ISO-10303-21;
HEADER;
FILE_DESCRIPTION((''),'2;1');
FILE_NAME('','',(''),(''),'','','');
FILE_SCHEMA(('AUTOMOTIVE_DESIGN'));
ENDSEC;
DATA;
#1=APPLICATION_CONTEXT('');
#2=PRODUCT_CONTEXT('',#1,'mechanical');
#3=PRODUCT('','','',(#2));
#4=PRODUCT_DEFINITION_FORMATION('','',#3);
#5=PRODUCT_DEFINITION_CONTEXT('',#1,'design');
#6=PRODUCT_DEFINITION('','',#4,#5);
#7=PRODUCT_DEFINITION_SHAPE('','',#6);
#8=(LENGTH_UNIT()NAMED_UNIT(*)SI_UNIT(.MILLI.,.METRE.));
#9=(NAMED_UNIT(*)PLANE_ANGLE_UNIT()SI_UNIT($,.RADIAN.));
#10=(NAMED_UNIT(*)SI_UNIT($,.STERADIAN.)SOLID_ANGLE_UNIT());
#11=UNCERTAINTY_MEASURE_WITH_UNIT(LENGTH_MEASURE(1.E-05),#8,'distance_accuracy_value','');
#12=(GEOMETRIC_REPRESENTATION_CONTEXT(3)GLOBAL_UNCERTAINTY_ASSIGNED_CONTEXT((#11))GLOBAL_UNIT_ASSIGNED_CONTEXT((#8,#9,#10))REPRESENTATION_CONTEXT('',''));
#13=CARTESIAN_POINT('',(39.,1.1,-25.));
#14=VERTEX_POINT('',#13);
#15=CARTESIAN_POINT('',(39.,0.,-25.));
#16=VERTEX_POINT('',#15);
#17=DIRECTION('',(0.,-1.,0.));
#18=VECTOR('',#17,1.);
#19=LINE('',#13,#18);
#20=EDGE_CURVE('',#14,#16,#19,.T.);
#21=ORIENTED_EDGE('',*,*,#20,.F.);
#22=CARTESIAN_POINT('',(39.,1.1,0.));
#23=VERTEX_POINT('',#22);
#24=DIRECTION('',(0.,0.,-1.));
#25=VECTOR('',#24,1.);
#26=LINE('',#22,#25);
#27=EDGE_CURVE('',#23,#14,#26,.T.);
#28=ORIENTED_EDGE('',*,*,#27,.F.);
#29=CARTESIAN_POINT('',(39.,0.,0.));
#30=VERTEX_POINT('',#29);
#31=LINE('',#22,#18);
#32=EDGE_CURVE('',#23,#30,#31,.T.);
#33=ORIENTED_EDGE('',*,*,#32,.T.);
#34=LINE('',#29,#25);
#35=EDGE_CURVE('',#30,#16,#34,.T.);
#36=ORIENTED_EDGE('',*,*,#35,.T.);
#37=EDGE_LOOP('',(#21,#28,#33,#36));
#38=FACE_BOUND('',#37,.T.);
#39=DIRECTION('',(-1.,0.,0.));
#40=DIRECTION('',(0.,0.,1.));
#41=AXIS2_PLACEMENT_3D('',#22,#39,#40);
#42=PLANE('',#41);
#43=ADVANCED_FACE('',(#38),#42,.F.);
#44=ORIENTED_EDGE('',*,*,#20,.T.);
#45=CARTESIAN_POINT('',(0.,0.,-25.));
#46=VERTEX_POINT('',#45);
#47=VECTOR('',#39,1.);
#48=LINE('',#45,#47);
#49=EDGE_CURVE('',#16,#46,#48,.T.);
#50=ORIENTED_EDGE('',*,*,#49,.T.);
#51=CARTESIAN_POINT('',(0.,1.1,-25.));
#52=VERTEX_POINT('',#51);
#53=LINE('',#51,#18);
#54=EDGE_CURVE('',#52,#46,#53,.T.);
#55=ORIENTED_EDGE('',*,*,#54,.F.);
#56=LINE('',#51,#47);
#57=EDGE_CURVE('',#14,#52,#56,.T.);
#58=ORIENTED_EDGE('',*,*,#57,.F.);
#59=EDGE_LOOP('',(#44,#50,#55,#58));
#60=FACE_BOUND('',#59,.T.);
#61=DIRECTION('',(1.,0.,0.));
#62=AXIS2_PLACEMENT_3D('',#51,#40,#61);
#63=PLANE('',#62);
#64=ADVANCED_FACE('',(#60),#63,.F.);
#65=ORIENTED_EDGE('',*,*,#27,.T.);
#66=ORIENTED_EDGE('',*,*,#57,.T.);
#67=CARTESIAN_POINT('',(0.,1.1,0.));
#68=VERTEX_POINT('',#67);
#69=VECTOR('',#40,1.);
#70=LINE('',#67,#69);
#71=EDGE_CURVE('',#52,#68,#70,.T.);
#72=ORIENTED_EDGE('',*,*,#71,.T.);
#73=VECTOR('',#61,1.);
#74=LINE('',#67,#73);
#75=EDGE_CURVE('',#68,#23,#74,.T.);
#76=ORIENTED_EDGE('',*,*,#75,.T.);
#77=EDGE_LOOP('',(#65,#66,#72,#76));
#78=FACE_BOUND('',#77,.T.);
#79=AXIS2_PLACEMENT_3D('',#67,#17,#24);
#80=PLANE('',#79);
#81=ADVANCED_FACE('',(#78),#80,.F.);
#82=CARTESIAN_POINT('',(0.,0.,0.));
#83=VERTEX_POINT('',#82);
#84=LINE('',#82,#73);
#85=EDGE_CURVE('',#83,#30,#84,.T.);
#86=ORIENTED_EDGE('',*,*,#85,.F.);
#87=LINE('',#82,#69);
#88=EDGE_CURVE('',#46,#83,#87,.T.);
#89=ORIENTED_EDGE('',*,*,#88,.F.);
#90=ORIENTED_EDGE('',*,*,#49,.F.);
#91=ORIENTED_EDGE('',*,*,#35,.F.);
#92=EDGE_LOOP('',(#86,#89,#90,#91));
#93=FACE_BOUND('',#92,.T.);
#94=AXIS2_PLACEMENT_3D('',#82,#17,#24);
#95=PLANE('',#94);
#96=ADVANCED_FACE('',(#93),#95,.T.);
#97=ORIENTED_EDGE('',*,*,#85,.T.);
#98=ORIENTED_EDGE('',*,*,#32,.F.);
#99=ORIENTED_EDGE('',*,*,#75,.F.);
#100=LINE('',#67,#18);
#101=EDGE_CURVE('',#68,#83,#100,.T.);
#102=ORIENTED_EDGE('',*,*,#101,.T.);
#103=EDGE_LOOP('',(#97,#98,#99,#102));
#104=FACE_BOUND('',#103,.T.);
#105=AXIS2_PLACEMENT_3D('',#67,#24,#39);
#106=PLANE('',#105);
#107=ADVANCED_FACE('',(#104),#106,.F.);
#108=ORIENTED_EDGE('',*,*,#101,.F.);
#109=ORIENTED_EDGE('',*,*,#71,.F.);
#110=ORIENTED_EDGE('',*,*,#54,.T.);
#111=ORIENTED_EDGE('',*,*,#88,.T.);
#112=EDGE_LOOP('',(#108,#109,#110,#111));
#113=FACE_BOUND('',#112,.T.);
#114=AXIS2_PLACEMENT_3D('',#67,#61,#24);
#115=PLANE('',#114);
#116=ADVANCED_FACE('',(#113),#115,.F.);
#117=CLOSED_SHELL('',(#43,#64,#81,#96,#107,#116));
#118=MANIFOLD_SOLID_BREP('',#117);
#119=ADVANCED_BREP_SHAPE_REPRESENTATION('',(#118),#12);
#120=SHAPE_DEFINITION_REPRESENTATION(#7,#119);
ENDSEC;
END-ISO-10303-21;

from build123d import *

# Parameters (mm, degrees)
SKETCH_1_W      = 39
SKETCH_1_H      = 25
EXTRUDE_1_DEPTH = 1.1


with BuildPart() as part:
    # 草图1 → 凸台-拉伸1 (new body)
    with BuildSketch(Plane(origin=(0, 0, 0), x_dir=(1, 0, 0), z_dir=(0, 1, 0))):
        with Locations((19.5, 12.5)):
            Rectangle(SKETCH_1_W, SKETCH_1_H)
    extrude(amount=EXTRUDE_1_DEPTH)


solid = part.part
